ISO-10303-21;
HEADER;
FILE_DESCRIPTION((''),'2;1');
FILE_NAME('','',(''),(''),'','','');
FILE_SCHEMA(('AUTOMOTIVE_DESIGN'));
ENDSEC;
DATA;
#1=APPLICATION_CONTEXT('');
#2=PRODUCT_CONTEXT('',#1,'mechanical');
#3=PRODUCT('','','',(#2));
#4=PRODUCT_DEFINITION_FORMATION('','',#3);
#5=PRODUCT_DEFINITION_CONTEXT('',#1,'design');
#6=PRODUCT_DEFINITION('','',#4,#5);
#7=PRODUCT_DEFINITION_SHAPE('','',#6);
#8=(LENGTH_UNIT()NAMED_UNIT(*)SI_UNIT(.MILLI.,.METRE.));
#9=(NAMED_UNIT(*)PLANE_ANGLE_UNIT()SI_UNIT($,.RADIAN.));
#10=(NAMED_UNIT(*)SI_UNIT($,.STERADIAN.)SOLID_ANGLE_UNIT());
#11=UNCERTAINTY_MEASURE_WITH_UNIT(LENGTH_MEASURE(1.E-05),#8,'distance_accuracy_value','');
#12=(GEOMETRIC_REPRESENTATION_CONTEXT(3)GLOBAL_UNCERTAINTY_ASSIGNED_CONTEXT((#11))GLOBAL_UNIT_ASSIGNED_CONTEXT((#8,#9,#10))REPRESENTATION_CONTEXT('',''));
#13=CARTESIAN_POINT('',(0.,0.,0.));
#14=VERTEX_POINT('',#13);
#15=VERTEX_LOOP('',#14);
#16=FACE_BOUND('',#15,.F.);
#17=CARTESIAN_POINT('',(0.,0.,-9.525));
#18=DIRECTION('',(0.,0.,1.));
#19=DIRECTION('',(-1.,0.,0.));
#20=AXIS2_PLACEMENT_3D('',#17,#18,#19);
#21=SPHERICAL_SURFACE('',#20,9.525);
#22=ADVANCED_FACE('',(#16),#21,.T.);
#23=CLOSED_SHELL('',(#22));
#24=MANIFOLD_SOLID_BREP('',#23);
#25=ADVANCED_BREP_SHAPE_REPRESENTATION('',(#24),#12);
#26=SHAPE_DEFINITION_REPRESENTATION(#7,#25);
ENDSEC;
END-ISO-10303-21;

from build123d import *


with BuildPart() as part:
    # Sketch1 → Revolve1 (revolve)
    with BuildSketch(Plane(origin=(0, 0, 0), x_dir=(1, 0, 0), z_dir=(0, 1, 0))):
        with BuildLine():
            Line((0, 0), (0, 19.05))
            ThreePointArc((0, 19.05), (-9.525, 9.525), (0, 0))
        make_face()
    revolve(axis=Axis((0, 0, 0), (0, 0, -1)))


solid = part.part
